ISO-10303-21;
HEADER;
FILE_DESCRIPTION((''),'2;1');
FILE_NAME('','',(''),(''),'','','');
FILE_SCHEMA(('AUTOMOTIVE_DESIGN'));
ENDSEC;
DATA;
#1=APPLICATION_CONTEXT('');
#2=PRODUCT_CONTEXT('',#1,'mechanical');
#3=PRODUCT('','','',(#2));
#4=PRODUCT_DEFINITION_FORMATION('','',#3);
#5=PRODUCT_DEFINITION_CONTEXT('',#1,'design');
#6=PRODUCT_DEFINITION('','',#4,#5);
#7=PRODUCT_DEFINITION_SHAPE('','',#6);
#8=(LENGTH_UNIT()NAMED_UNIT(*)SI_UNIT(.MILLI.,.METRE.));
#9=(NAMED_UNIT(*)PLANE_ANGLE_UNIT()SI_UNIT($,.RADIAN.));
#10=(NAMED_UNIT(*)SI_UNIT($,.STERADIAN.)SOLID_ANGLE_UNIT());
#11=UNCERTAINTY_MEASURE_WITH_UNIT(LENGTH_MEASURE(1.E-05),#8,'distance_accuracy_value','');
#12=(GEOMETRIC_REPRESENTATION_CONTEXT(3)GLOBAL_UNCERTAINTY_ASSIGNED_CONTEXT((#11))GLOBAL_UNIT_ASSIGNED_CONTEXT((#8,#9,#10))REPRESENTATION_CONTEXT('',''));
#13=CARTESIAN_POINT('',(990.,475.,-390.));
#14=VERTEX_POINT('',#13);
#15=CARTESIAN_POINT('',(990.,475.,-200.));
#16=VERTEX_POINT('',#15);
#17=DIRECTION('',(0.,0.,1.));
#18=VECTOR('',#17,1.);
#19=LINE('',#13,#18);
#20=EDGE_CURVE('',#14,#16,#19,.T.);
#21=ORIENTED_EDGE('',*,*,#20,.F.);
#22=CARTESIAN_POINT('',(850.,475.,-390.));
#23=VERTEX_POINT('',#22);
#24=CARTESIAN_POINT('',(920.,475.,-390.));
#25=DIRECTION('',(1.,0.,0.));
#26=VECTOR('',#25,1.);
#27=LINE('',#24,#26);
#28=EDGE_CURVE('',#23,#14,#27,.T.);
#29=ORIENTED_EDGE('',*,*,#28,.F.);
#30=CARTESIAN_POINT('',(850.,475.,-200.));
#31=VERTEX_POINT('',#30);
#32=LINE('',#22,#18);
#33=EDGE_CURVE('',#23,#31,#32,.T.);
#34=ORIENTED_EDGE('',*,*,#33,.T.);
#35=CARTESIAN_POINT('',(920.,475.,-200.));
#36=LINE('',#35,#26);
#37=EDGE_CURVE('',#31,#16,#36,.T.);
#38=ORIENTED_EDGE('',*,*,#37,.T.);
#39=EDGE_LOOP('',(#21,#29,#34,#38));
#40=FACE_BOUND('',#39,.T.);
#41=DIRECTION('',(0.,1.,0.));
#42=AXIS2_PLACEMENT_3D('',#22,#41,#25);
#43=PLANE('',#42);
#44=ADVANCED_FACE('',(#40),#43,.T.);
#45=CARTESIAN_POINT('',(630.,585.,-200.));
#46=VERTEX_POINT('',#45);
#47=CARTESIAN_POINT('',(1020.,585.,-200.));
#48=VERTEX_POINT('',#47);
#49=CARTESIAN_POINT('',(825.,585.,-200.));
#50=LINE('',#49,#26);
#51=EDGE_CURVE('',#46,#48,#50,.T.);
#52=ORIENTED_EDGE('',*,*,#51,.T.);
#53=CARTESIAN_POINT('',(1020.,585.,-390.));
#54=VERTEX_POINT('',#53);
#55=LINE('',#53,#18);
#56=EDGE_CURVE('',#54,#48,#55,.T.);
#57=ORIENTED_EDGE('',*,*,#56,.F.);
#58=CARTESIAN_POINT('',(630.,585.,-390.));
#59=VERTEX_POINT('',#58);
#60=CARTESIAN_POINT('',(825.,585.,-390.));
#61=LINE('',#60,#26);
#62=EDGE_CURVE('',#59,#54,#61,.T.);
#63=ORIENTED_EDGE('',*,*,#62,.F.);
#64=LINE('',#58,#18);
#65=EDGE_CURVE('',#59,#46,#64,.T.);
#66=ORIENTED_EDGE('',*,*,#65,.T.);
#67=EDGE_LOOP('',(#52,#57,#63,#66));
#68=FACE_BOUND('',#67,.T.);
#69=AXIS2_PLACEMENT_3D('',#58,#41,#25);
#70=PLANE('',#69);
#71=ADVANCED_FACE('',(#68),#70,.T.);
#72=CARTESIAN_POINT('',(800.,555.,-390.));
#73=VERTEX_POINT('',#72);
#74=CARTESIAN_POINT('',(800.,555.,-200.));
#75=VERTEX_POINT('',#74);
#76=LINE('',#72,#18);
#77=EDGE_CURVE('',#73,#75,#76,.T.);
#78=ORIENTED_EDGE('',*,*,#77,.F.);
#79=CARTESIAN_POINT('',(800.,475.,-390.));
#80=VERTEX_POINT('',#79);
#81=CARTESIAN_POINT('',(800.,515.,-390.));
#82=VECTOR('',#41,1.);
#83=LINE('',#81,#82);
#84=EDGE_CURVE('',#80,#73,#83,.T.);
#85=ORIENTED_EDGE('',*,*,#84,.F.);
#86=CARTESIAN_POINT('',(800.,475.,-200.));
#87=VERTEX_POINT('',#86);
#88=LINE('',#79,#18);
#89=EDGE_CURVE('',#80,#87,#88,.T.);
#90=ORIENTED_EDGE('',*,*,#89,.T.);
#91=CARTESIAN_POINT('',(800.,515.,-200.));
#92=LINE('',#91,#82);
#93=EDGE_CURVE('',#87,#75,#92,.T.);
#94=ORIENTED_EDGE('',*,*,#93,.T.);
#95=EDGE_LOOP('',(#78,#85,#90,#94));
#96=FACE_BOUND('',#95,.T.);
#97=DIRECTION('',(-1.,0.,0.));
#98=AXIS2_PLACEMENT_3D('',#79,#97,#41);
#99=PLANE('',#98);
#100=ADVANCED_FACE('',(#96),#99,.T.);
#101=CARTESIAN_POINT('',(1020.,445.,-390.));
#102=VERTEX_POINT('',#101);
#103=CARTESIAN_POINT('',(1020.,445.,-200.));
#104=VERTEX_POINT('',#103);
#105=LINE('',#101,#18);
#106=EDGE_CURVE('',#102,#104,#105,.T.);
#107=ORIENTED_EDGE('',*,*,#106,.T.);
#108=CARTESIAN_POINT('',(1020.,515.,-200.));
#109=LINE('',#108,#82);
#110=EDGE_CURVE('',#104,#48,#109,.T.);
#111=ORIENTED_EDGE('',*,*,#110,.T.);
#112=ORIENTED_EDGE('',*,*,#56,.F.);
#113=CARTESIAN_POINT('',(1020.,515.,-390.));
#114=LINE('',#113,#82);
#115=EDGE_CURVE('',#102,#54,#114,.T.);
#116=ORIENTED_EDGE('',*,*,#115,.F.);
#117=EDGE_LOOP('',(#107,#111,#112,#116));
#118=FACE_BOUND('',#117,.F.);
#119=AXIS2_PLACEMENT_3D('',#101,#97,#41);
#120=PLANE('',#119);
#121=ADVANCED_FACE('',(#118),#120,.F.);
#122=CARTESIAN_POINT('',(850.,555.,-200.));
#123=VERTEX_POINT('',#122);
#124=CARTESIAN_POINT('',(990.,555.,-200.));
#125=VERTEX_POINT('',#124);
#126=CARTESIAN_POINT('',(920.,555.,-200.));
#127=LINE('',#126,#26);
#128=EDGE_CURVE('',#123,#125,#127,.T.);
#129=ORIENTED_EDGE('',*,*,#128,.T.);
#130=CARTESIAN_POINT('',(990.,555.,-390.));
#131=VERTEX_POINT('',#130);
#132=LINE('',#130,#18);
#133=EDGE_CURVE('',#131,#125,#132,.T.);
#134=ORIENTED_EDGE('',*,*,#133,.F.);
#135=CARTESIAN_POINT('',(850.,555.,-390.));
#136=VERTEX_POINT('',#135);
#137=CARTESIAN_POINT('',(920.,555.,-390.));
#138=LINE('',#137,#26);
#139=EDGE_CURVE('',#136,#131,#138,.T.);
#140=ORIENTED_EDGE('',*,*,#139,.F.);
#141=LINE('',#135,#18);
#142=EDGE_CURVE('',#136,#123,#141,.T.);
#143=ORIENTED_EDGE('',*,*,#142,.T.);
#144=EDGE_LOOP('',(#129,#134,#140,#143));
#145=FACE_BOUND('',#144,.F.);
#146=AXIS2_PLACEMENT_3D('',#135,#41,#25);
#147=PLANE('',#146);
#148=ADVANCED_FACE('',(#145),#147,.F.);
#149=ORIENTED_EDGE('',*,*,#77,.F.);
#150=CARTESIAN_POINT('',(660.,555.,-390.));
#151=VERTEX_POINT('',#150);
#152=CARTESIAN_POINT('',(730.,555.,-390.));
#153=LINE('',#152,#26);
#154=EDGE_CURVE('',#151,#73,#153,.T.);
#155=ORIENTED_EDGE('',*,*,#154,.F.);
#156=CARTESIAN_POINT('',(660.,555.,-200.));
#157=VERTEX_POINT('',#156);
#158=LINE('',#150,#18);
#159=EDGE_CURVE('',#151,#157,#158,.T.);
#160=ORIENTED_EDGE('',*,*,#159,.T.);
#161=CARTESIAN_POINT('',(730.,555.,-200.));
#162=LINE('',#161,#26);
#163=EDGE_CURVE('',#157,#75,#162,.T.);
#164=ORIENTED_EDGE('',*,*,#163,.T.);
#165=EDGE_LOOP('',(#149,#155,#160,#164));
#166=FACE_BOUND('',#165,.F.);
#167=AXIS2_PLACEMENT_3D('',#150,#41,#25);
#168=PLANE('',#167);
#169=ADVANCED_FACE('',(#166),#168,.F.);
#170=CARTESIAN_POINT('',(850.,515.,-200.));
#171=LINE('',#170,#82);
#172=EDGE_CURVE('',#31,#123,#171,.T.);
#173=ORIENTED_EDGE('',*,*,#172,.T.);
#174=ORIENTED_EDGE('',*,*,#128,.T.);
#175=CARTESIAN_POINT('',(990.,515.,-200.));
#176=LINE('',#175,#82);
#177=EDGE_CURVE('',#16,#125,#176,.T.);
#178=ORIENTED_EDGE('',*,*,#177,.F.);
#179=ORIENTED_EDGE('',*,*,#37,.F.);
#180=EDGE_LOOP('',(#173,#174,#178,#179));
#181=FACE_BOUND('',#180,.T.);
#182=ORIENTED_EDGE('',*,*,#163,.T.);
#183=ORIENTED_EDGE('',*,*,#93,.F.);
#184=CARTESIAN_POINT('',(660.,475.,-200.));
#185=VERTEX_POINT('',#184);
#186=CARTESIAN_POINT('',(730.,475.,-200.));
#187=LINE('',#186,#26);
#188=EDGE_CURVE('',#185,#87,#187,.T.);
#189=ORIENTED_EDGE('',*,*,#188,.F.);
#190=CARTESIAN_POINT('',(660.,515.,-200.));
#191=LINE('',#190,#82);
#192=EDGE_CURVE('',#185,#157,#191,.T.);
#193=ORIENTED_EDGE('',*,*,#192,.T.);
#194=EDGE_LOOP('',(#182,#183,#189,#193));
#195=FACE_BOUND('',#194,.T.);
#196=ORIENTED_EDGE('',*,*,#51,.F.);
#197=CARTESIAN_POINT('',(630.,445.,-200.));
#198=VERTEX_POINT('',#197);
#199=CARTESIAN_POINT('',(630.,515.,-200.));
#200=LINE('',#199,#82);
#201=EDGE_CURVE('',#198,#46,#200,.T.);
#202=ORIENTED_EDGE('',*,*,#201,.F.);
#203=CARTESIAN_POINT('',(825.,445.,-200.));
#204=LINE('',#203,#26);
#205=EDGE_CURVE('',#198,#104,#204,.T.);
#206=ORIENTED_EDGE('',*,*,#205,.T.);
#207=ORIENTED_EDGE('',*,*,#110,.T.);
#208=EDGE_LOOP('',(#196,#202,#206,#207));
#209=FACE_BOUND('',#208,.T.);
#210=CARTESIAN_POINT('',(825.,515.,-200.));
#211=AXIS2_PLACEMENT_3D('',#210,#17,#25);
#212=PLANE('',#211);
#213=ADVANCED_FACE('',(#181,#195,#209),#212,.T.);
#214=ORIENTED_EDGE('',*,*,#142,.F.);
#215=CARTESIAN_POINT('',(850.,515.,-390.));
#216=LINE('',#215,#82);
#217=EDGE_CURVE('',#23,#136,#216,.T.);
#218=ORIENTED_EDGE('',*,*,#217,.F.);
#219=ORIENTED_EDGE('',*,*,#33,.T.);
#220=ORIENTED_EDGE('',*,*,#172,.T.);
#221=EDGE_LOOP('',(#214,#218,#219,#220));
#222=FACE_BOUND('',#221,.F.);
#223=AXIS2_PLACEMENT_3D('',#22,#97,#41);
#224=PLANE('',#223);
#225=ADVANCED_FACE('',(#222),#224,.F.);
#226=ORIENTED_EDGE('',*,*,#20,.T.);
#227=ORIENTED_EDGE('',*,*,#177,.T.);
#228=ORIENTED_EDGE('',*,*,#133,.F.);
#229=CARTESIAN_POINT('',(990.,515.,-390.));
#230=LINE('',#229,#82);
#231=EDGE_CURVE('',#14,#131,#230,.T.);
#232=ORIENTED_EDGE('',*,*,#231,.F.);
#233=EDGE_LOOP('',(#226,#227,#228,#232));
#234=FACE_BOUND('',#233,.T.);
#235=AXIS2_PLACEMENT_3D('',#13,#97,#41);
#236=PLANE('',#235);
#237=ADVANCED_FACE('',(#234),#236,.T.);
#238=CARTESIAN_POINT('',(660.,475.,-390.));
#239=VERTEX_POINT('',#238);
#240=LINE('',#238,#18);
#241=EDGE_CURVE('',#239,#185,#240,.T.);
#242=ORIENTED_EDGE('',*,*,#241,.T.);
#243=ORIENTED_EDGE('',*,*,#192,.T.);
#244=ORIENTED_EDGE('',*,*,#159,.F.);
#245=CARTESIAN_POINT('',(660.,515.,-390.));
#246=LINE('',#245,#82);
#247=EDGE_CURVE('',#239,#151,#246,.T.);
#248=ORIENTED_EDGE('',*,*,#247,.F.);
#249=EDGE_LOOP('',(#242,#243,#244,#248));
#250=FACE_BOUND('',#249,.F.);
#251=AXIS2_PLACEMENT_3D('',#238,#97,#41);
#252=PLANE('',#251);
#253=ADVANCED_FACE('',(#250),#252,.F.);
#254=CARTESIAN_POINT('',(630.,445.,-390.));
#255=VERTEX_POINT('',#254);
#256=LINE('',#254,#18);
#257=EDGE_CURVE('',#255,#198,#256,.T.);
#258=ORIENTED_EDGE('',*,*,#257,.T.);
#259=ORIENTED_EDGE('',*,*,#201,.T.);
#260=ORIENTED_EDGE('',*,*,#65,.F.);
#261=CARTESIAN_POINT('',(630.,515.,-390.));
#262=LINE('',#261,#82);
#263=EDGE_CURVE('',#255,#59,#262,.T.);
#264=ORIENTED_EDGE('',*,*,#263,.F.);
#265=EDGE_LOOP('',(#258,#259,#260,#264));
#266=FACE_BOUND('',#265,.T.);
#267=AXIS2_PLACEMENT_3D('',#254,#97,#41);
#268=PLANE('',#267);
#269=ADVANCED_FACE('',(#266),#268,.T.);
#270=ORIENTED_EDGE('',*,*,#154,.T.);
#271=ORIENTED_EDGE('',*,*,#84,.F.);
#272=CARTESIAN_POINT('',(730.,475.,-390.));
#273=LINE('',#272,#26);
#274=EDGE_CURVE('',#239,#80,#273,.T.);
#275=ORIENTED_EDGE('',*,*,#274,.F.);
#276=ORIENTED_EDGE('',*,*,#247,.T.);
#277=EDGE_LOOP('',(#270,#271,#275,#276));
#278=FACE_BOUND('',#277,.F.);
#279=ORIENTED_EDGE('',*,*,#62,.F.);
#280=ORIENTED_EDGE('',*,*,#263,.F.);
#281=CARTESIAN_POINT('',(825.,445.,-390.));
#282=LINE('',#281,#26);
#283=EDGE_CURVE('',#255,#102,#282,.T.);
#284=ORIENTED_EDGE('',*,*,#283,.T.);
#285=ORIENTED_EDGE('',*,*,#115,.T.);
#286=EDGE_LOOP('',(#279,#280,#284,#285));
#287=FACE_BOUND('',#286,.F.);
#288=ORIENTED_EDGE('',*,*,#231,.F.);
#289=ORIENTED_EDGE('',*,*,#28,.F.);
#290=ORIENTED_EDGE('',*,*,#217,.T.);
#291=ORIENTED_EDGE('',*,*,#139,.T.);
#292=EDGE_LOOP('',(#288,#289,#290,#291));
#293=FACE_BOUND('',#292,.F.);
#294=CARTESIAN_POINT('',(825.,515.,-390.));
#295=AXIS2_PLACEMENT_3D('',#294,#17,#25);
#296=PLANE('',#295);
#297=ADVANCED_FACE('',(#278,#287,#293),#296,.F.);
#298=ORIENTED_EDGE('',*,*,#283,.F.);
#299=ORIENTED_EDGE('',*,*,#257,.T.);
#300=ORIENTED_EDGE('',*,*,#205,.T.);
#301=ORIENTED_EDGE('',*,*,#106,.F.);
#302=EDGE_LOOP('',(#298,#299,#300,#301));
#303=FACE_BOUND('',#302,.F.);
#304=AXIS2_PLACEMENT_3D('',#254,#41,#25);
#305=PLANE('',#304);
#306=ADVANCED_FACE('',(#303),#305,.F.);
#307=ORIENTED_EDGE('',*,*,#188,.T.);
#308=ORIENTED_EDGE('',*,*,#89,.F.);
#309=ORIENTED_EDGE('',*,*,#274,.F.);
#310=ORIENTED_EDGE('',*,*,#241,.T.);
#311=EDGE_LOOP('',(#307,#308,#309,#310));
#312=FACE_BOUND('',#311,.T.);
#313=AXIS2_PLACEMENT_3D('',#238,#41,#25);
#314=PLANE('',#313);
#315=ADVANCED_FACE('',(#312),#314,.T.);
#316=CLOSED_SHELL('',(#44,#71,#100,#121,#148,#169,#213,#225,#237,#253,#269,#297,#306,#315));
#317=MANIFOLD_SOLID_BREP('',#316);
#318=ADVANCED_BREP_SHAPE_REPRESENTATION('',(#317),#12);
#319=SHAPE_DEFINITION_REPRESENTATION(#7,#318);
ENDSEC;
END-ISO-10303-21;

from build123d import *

# Parameters (mm, degrees)
BOX034_W     = 140
BOX034_H     = 80
BOX034_DEPTH = 190
BOX032_W     = 140
BOX032_H     = 80
BOX032_DEPTH = 190
BOX033_W     = 390
BOX033_H     = 140
BOX033_DEPTH = 190


with BuildPart() as cube024:
    # Box034 → Box034 (new body)
    with BuildSketch(Plane(origin=(220, 30, 0), x_dir=(1, 0, 0), z_dir=(0, 0, 1))):
        with Locations((70, 40)):
            Rectangle(BOX034_W, BOX034_H)
    extrude(amount=BOX034_DEPTH)


with BuildPart() as fusion010:
    # Box032 → Box032 (new body)
    with BuildSketch(Plane(origin=(30, 30, 0), x_dir=(1, 0, 0), z_dir=(0, 0, 1))):
        with Locations((70, 40)):
            Rectangle(BOX032_W, BOX032_H)
    extrude(amount=BOX032_DEPTH)

    # Fusion010: union Cube024
    add(cube024.part)


with BuildPart() as cut007:
    # Box033 → Box033 (new body)
    with BuildSketch(Plane.XY):
        with Locations((195, 70)):
            Rectangle(BOX033_W, BOX033_H)
    extrude(amount=BOX033_DEPTH)

    # Cut007: cut Fusion010
    add(fusion010.part, mode=Mode.SUBTRACT)


with BuildPart() as cut007_1:
    # Cut007 placement: moved
    add(cut007.part.moved(Location((630, 445, -390))))


solid = cut007_1.part
